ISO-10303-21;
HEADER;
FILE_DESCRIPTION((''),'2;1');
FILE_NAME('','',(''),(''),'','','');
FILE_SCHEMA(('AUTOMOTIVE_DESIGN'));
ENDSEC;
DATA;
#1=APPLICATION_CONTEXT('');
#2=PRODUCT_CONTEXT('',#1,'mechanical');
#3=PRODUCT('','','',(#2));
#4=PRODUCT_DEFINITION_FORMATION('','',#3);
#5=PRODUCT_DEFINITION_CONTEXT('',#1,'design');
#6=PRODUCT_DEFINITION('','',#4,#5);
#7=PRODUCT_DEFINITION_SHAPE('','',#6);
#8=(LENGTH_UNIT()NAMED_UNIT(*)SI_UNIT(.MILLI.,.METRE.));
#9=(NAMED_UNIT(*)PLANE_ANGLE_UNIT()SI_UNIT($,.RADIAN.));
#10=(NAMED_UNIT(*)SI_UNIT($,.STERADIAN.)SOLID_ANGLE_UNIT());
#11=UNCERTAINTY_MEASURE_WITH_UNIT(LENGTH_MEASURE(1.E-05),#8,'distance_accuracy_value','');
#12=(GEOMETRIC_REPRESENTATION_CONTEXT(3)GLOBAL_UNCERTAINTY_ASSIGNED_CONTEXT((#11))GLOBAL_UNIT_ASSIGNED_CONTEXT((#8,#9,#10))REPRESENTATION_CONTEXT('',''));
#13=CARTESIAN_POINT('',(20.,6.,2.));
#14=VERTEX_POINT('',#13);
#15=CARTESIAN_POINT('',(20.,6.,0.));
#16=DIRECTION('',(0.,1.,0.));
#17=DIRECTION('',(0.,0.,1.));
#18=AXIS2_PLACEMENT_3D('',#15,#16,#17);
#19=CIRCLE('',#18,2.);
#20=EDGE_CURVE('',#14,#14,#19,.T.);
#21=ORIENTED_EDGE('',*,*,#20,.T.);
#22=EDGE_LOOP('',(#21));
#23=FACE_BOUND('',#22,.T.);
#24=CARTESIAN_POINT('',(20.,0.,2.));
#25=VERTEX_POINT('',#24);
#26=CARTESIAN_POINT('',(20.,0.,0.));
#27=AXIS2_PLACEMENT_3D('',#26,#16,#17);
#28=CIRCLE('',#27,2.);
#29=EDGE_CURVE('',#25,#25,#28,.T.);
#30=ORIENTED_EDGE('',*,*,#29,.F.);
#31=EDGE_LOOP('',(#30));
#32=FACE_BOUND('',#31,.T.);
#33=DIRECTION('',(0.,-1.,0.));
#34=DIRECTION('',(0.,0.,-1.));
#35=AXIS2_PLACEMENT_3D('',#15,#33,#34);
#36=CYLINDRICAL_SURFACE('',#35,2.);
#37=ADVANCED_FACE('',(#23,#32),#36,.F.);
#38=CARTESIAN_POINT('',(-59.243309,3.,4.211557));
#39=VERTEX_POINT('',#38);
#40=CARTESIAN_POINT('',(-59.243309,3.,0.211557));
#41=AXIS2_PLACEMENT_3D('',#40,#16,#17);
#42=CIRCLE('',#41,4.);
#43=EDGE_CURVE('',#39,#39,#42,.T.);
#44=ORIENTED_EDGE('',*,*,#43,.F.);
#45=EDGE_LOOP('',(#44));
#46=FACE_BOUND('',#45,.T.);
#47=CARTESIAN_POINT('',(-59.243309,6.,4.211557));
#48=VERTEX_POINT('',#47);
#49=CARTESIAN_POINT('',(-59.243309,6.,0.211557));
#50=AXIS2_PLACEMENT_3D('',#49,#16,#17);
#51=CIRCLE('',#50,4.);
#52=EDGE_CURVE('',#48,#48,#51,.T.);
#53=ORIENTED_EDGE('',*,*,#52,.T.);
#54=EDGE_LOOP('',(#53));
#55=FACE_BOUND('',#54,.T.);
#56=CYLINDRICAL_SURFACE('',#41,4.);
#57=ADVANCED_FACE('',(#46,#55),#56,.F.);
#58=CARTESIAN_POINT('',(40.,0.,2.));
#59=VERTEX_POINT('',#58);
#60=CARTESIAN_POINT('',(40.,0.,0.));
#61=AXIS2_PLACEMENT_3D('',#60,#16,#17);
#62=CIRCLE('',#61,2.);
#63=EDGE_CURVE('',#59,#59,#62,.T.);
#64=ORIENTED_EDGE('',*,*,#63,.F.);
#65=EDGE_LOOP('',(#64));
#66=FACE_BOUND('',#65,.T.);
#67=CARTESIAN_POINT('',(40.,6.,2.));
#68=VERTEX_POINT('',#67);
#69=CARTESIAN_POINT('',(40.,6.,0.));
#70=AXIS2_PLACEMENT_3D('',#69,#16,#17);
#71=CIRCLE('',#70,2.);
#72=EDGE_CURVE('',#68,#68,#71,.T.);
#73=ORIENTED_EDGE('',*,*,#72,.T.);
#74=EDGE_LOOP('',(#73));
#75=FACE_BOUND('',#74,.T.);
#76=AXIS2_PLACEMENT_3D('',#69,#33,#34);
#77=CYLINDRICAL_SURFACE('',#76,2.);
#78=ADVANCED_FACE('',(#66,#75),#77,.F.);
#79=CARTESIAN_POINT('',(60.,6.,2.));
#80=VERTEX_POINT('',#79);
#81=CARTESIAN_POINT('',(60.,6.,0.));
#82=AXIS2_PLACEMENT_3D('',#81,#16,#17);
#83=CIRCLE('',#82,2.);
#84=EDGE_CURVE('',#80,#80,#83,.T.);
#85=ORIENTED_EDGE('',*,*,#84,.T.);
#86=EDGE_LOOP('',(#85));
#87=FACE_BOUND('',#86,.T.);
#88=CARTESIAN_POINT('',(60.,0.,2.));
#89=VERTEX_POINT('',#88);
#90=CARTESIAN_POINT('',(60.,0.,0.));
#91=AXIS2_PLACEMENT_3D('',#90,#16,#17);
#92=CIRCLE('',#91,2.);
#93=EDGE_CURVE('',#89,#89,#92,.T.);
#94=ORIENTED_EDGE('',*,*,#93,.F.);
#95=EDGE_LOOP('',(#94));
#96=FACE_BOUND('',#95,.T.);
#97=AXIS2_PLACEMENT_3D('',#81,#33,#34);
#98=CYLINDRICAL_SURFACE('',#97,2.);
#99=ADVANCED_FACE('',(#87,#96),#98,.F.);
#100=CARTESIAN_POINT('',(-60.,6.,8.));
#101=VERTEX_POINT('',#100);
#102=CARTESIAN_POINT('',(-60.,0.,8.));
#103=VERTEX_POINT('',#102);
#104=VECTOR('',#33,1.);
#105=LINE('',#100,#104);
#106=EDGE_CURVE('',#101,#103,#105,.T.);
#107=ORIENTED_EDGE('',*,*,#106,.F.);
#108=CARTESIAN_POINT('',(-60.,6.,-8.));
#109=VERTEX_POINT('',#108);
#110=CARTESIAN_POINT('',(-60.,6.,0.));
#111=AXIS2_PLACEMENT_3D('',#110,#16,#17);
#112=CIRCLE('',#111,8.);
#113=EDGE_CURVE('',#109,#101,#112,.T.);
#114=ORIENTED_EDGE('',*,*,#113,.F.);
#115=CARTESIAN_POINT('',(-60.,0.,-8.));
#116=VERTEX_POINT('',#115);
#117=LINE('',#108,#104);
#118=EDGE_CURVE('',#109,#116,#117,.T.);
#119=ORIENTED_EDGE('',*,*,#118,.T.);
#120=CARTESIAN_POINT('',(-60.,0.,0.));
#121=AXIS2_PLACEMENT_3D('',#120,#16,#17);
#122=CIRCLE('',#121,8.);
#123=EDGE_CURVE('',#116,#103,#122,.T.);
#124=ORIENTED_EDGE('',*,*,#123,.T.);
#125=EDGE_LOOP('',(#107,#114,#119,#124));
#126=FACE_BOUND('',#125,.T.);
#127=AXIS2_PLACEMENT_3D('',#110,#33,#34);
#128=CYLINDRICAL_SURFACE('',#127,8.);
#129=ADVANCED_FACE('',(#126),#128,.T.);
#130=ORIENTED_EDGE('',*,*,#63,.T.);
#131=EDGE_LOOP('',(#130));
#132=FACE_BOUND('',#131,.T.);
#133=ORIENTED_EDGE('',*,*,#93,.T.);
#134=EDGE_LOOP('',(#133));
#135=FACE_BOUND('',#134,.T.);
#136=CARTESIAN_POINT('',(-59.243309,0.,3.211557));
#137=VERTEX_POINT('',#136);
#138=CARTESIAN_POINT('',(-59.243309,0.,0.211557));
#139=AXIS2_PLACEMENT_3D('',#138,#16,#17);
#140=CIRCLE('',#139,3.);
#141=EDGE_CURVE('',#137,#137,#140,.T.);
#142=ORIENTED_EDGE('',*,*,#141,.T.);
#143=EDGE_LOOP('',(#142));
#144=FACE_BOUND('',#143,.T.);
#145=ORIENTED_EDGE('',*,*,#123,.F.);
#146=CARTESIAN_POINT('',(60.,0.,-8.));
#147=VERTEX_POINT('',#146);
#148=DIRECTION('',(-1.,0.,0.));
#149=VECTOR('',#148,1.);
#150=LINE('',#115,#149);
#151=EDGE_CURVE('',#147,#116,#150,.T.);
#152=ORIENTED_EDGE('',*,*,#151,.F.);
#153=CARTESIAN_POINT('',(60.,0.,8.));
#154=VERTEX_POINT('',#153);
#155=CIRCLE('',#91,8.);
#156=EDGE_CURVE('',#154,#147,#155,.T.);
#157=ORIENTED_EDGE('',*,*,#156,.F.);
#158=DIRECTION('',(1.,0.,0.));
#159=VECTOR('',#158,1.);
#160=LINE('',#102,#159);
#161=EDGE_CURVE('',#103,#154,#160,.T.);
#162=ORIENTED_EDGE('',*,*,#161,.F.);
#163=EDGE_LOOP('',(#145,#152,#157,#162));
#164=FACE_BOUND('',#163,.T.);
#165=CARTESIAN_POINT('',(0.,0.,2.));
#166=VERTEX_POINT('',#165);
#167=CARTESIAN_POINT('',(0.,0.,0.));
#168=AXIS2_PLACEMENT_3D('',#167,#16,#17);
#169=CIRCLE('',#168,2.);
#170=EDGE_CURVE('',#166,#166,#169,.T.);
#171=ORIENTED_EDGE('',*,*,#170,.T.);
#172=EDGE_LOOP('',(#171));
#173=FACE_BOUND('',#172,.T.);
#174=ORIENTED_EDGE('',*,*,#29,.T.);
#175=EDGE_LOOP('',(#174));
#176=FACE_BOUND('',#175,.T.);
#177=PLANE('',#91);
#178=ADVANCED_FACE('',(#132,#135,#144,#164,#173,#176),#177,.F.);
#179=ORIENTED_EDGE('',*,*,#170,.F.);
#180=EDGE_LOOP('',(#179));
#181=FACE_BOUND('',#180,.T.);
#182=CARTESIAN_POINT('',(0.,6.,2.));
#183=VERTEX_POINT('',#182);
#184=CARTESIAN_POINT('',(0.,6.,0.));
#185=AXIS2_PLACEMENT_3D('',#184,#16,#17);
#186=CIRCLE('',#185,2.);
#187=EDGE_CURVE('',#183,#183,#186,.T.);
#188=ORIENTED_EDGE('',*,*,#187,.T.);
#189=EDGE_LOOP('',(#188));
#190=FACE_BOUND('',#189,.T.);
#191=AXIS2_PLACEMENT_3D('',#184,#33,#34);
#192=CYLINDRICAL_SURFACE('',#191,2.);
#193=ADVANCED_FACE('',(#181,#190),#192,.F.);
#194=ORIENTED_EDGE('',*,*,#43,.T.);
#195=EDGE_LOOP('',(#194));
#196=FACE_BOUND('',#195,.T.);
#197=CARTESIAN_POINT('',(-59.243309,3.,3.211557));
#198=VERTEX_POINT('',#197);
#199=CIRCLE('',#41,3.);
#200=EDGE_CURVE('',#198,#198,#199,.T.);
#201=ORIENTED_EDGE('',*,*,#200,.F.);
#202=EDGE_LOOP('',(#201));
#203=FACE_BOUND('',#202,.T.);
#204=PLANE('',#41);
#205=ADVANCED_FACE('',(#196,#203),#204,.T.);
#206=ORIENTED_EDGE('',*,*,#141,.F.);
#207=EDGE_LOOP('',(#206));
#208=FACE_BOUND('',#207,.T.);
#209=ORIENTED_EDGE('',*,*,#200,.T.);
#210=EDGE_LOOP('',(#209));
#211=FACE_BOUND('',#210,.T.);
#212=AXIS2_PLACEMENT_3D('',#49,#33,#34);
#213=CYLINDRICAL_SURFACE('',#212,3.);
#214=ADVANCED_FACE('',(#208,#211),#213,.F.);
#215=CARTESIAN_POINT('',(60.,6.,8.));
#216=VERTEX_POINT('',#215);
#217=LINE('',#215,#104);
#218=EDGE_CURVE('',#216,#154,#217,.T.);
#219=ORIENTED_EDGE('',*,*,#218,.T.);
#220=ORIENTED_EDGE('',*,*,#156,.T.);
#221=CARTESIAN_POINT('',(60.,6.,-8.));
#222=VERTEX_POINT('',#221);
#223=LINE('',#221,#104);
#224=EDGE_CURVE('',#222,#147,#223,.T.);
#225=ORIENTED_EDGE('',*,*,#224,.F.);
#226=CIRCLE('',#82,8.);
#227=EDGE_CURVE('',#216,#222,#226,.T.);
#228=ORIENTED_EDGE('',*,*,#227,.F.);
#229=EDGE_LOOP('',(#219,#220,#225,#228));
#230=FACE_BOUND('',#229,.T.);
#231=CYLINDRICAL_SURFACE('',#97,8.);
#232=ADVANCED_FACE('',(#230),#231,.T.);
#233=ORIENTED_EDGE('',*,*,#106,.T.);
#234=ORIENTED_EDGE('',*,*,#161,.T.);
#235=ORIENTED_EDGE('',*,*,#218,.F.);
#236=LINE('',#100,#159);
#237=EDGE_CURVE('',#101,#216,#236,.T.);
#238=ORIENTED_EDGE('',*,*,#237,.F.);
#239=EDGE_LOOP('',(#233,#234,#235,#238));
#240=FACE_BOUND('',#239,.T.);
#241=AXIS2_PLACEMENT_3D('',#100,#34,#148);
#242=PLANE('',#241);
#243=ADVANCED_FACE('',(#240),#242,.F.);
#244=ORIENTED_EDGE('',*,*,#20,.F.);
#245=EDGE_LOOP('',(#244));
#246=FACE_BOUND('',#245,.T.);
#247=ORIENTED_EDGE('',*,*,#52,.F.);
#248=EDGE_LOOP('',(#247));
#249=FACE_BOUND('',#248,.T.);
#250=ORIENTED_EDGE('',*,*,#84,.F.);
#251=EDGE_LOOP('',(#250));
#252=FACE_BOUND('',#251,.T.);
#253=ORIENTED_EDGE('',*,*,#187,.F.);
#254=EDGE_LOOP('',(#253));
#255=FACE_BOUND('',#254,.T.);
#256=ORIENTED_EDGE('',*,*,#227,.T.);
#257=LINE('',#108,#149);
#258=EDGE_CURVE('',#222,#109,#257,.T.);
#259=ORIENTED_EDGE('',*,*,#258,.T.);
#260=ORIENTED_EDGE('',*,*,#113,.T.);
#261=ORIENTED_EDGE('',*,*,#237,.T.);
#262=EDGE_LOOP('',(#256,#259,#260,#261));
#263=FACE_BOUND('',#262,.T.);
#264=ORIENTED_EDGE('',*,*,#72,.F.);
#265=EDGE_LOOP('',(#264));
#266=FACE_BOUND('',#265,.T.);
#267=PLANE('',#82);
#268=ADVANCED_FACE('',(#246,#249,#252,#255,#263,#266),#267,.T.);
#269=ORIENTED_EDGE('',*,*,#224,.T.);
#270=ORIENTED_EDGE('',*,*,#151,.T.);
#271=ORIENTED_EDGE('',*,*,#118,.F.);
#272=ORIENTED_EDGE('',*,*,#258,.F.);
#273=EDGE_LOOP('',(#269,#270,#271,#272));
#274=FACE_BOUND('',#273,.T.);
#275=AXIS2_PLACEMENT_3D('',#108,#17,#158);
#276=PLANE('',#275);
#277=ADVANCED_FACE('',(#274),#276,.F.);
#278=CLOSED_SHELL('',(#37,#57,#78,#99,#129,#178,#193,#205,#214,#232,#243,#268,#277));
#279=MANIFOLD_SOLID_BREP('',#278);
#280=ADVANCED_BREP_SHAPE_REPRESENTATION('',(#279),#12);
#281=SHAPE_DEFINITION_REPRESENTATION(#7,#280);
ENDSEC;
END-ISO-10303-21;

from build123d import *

# Parameters (mm, degrees)
SKETCH1_R           = 3
SKETCH1_R_2         = 2
BOSS_EXTRUDE1_DEPTH = 6
SKETCH3_R           = 4
CUT_EXTRUDE1_DEPTH  = 3


with BuildPart() as part:
    # Sketch1 → Boss-Extrude1 (new body)
    with BuildSketch(Plane(origin=(0, 0, 0), x_dir=(1, 0, 0), z_dir=(0, 1, 0))):
        with BuildLine():
            Line((-60, -8), (60, -8))
            ThreePointArc((60, -8), (68, 0), (60, 8))
            Line((60, 8), (-60, 8))
            ThreePointArc((-60, 8), (-68, 0), (-60, -8))
        make_face()
        with Locations(Location((-59.243309237, -0.211557176, 0), (0, 0, 270))):
            Circle(SKETCH1_R, mode=Mode.SUBTRACT)
        with Locations(Location((60, 0, 0), (0, 0, 270))):
            Circle(SKETCH1_R_2, mode=Mode.SUBTRACT)
        with Locations(Location((20, 0, 0), (0, 0, 270))):
            Circle(SKETCH1_R_2, mode=Mode.SUBTRACT)
        with Locations(Location((40, 0, 0), (0, 0, 270))):
            Circle(SKETCH1_R_2, mode=Mode.SUBTRACT)
        with Locations(Location((0, 0, 0), (0, 0, 270))):
            Circle(SKETCH1_R_2, mode=Mode.SUBTRACT)
    extrude(amount=BOSS_EXTRUDE1_DEPTH)

    # Sketch3 → Cut-Extrude1 (cut)
    with BuildSketch(Plane(origin=(0, 6, 0), x_dir=(1, 0, 0), z_dir=(0, 1, 0))):
        with Locations(Location((-59.243309237, -0.211557176, 0), (0, 0, 270))):
            Circle(SKETCH3_R)
    extrude(amount=-CUT_EXTRUDE1_DEPTH, mode=Mode.SUBTRACT)


solid = part.part
